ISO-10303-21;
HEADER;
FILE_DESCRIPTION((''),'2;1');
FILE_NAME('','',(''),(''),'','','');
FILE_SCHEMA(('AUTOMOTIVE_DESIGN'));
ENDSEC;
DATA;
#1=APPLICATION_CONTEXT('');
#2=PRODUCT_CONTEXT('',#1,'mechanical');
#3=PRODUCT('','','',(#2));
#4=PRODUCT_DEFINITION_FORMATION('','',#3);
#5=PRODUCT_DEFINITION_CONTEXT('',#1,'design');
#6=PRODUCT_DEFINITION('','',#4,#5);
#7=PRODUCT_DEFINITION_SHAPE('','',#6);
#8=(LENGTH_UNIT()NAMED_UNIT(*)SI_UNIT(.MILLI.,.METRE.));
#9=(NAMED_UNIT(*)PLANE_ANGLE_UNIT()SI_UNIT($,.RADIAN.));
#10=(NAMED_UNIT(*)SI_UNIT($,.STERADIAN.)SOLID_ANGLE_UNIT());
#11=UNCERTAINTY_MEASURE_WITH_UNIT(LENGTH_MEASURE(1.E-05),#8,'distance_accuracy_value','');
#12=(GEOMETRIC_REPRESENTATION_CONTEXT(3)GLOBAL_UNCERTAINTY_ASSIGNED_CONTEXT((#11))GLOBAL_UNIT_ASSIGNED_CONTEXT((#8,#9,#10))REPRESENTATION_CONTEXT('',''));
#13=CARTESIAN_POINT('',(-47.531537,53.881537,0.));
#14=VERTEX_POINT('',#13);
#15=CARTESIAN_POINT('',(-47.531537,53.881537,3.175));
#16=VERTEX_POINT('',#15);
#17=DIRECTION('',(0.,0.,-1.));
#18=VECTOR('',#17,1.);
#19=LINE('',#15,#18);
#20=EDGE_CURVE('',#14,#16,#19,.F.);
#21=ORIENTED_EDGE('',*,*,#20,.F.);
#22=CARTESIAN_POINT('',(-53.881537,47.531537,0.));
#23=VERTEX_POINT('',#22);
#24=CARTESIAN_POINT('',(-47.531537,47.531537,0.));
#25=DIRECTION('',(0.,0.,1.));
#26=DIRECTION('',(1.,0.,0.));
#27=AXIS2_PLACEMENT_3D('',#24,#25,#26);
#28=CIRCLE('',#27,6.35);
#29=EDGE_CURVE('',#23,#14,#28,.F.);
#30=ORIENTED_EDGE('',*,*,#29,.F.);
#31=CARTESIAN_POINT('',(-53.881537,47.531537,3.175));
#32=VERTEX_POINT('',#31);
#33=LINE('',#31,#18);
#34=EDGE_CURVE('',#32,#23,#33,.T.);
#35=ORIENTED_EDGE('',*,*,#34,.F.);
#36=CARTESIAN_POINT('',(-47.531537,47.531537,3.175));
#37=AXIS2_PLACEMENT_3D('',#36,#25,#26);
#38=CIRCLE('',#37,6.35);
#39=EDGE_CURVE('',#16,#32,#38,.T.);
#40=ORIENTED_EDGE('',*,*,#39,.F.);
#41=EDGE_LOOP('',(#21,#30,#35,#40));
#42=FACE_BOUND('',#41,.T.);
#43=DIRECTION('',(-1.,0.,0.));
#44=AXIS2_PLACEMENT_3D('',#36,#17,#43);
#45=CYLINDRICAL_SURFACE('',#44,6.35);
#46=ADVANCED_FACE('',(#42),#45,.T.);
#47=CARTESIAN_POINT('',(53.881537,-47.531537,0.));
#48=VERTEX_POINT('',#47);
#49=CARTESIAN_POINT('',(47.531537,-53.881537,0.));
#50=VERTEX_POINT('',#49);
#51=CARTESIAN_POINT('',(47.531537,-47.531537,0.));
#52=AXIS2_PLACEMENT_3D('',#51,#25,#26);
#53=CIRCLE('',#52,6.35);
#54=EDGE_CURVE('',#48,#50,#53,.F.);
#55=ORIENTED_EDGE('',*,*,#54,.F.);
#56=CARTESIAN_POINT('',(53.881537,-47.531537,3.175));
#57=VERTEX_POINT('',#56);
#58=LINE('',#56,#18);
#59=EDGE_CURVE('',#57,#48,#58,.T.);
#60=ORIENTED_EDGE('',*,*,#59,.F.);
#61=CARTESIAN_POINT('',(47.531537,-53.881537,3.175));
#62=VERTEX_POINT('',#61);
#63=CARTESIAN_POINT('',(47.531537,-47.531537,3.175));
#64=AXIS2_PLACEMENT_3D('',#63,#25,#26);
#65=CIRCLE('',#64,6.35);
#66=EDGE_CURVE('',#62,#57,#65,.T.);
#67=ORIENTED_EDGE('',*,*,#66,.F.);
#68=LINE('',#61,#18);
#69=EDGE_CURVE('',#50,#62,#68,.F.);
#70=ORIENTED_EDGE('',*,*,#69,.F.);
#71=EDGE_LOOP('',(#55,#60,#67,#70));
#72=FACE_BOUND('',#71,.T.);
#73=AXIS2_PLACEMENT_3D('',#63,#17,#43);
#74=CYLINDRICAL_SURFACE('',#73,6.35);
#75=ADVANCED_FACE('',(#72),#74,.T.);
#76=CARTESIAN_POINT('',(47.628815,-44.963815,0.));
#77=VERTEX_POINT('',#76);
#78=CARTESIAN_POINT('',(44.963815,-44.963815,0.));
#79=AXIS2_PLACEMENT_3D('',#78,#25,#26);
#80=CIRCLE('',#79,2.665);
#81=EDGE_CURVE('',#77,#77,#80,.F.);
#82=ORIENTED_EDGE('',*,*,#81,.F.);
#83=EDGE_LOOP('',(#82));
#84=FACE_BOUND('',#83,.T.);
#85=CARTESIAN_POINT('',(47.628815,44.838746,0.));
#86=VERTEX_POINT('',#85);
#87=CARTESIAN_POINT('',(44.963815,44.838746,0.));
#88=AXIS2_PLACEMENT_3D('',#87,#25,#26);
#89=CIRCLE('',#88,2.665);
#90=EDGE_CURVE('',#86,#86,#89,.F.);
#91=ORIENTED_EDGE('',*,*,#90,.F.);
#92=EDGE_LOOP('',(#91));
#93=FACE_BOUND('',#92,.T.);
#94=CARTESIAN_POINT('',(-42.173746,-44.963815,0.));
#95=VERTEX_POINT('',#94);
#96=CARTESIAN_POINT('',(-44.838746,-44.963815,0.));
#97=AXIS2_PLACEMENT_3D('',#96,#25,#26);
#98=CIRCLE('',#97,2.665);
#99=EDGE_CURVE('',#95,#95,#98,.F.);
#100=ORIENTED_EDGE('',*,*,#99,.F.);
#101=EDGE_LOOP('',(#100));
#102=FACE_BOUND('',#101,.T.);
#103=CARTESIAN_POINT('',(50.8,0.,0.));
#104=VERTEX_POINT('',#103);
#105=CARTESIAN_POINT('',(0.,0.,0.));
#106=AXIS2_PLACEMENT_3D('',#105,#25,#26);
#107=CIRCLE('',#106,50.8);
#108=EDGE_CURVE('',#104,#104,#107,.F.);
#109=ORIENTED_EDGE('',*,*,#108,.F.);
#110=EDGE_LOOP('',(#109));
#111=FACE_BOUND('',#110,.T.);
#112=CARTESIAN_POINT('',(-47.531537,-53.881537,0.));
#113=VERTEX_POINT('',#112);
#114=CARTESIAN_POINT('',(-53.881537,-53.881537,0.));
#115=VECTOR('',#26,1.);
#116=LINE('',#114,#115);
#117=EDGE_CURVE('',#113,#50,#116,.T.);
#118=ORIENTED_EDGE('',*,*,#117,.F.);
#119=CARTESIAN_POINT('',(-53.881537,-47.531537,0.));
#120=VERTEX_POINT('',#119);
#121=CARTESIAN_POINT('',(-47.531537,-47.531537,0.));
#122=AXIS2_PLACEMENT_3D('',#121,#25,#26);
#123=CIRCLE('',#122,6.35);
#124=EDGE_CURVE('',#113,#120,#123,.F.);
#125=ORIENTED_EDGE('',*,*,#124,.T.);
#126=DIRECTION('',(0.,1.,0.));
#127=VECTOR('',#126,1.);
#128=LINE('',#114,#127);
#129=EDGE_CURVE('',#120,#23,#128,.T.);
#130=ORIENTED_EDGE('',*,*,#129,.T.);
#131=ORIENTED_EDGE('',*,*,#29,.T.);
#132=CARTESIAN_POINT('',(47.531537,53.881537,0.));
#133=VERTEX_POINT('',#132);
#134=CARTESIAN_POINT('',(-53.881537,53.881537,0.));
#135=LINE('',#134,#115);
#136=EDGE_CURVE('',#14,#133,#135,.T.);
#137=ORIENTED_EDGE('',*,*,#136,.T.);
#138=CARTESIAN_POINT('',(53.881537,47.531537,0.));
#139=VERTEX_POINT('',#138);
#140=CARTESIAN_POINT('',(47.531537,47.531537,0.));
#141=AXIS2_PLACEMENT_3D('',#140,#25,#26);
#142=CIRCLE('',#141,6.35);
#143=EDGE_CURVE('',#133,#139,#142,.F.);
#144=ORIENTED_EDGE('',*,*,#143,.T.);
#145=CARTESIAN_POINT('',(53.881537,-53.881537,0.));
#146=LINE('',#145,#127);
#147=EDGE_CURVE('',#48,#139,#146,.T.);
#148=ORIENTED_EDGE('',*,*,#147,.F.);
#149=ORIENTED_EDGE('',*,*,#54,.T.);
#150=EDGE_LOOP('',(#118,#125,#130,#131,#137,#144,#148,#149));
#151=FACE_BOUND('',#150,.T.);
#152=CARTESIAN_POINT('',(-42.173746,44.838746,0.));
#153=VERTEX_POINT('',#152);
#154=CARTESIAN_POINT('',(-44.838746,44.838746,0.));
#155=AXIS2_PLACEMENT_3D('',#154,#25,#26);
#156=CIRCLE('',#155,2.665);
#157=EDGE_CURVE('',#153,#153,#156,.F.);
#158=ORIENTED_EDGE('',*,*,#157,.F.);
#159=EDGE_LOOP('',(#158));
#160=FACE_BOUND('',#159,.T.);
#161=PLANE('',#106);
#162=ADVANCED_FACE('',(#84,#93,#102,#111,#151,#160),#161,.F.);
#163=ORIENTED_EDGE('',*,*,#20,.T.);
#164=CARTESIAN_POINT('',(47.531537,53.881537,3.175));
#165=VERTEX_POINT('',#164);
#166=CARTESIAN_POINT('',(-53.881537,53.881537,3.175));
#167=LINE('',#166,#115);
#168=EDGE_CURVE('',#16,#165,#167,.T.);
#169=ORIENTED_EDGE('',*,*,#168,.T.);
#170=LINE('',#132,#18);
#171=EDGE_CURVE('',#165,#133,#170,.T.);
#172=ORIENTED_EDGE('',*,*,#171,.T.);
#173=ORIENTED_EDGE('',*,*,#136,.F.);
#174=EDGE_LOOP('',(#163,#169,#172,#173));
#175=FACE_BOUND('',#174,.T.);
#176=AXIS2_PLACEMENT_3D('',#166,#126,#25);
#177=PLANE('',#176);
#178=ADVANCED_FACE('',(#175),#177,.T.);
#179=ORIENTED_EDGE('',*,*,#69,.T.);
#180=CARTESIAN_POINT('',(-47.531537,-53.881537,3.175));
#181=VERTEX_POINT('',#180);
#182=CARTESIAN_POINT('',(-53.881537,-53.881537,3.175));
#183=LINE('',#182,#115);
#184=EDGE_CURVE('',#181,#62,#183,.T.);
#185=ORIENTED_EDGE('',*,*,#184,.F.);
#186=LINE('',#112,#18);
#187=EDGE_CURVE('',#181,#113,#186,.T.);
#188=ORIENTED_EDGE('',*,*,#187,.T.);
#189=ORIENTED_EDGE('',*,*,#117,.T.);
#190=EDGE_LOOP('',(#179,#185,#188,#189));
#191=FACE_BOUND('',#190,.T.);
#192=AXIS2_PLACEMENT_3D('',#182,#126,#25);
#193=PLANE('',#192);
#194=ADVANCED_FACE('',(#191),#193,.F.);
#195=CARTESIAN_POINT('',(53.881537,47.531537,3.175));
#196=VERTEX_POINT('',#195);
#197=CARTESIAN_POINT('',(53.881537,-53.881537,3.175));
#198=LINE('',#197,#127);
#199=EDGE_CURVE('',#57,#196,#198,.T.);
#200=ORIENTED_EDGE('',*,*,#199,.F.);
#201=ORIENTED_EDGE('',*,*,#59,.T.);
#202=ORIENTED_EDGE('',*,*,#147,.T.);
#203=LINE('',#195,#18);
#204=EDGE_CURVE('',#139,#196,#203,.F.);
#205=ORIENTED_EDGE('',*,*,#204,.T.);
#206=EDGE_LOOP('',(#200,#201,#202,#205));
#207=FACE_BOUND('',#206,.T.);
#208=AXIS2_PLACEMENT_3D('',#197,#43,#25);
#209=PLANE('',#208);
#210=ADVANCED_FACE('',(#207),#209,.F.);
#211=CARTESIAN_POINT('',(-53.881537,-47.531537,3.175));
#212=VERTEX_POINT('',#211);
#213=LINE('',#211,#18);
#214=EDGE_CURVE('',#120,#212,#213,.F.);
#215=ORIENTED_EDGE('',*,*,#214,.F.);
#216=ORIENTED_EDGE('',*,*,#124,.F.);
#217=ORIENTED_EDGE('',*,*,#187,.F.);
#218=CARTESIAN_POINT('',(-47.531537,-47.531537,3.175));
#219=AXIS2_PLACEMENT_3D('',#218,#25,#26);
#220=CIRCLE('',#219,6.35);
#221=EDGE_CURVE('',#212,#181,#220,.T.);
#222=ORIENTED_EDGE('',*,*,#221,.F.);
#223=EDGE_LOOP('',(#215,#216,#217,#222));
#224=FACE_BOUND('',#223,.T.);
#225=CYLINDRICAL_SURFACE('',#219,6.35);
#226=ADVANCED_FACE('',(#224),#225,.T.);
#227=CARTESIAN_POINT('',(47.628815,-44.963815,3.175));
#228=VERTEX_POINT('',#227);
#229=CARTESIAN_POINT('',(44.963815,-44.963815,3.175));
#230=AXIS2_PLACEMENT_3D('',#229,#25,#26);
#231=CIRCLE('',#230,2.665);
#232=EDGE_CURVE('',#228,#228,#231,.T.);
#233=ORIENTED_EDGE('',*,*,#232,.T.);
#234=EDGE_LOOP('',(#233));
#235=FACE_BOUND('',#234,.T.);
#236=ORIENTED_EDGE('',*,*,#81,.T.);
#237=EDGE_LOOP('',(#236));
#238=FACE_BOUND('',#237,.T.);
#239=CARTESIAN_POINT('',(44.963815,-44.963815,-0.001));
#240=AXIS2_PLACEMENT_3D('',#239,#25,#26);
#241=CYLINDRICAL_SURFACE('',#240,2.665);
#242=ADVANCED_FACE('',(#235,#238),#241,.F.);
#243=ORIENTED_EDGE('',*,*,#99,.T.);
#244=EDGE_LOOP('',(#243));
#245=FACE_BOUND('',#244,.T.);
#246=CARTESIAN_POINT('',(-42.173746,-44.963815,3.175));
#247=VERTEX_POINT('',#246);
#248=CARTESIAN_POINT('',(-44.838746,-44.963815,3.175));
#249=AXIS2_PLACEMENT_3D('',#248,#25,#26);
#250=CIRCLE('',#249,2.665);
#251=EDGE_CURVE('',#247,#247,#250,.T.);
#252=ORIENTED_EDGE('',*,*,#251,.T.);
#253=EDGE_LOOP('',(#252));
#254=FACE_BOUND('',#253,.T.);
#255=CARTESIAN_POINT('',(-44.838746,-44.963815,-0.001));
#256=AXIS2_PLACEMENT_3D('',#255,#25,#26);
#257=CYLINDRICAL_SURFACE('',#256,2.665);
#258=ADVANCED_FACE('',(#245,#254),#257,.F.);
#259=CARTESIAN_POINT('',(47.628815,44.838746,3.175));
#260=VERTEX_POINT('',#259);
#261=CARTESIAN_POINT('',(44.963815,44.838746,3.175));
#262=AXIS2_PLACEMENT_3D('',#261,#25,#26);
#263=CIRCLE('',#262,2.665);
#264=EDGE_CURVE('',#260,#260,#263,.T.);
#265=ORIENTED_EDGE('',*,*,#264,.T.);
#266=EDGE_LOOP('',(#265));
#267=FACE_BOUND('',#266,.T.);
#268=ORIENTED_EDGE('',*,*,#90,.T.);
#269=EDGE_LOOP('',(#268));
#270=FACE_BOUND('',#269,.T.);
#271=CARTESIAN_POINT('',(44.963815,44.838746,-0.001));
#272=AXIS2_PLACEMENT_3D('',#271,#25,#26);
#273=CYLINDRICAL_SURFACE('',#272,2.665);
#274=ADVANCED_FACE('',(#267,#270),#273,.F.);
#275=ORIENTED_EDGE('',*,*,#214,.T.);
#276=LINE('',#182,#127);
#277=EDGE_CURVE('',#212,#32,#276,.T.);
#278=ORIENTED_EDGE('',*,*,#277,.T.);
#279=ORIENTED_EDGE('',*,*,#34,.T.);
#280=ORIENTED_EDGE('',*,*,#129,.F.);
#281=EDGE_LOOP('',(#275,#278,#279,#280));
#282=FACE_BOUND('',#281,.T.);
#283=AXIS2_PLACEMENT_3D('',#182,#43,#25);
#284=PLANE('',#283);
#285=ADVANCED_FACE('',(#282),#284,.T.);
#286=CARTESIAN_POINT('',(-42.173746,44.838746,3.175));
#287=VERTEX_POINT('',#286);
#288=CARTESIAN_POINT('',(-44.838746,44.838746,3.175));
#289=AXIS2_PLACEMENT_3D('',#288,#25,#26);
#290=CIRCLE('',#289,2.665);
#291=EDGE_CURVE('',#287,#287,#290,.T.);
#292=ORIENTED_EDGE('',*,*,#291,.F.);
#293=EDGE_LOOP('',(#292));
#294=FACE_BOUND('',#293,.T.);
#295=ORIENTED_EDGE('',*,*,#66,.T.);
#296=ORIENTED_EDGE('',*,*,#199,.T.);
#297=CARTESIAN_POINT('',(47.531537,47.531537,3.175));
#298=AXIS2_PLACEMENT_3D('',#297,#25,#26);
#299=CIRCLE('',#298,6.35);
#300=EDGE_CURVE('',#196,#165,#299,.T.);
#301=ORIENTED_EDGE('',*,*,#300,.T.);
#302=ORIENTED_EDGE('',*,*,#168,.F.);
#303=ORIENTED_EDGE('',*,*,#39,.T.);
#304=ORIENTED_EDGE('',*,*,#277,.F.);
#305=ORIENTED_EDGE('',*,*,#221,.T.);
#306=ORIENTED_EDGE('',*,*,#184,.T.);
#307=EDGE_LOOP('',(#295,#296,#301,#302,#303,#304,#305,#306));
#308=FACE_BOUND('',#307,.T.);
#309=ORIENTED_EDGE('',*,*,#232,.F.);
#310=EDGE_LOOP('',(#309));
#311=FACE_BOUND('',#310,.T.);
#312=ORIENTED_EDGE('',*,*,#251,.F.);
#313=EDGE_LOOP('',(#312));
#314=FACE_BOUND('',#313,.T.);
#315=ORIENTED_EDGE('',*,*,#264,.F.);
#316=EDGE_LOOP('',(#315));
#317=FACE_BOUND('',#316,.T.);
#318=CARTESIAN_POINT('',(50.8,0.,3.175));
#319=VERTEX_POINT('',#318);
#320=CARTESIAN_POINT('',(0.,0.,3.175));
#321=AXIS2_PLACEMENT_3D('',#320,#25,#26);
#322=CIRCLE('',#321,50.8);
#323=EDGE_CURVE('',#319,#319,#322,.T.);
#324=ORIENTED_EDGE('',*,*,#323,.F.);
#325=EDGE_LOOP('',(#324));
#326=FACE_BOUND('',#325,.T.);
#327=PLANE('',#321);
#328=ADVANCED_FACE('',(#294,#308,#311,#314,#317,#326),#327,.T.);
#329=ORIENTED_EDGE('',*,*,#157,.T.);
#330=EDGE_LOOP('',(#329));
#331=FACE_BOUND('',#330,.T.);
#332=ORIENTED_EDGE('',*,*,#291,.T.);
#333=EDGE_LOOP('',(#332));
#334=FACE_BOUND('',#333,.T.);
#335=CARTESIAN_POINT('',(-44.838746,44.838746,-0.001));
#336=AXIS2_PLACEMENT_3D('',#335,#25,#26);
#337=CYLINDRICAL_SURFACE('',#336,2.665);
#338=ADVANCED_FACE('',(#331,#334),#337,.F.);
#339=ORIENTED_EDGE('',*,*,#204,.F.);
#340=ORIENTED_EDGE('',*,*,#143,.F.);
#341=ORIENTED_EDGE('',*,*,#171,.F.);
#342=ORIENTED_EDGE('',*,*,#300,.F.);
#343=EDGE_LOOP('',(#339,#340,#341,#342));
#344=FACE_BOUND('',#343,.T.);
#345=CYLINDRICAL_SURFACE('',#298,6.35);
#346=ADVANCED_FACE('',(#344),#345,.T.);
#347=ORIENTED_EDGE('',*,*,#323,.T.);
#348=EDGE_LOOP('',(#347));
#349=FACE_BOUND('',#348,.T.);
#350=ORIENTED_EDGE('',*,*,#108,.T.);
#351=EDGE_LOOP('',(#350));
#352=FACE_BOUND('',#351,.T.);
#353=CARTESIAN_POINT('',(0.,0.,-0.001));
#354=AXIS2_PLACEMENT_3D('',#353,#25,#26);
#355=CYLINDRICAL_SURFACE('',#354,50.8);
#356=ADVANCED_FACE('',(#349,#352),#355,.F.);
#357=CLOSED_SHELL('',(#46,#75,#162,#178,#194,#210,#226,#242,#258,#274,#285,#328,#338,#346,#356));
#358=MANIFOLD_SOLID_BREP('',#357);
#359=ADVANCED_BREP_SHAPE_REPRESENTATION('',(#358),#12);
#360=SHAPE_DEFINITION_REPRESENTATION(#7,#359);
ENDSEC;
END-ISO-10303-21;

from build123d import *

# Parameters (mm, degrees)
SKETCH1_W           = 107.763073452
SKETCH1_H           = 107.763073452
BOSS_EXTRUDE1_DEPTH = 3.175
CUT_EXTRUDE2_REACH  = 78.266
SKETCH4_R           = 50.8
FILLET1_R           = 6.35
CUT_EXTRUDE3_REACH  = 78.266
SKETCH5_R           = 2.665000004


with BuildPart() as part:
    # Sketch1 → Boss-Extrude1 (new body)
    with BuildSketch(Plane.XY):
        Rectangle(SKETCH1_W, SKETCH1_H)
    extrude(amount=BOSS_EXTRUDE1_DEPTH)

    # Sketch4 → Cut-Extrude2 (cut, up to next)
    with BuildSketch(Plane.XY.offset(3.175), mode=Mode.PRIVATE) as cut_extrude2_sk1:
        Circle(SKETCH4_R)
    cut_extrude2_tool1 = extrude(cut_extrude2_sk1.sketch, amount=-CUT_EXTRUDE2_REACH, mode=Mode.PRIVATE) & part.part
    add(cut_extrude2_tool1.solids().sort_by_distance((0, 0, 3.175))[0], mode=Mode.SUBTRACT)

    # Fillet1
    fillet1_edges = [part.edges().sort_by_distance(p)[0] for p in [
        (-53.881536726, -53.881536726, 1.5875),
        (-53.881536726, 53.881536726, 1.5875),
        (53.881536726, 53.881536726, 1.5875),
        (53.881536726, -53.881536726, 1.5875),
    ]]
    fillet(fillet1_edges, radius=FILLET1_R)

    # Sketch5 → Cut-Extrude3 (cut, up to next)
    with BuildSketch(Plane.XY.offset(3.175), mode=Mode.PRIVATE) as cut_extrude3_sk1:
        with Locations((-44.838745817, 44.838745817)):
            Circle(SKETCH5_R)
    cut_extrude3_tool1 = extrude(cut_extrude3_sk1.sketch, amount=-CUT_EXTRUDE3_REACH, mode=Mode.PRIVATE) & part.part
    # Sketch5 → Cut-Extrude3 (cut, up to next)
    with BuildSketch(Plane.XY.offset(3.175), mode=Mode.PRIVATE) as cut_extrude3_sk2:
        with Locations((44.963815393, 44.838745817)):
            Circle(SKETCH5_R)
    cut_extrude3_tool2 = extrude(cut_extrude3_sk2.sketch, amount=-CUT_EXTRUDE3_REACH, mode=Mode.PRIVATE) & part.part
    # Sketch5 → Cut-Extrude3 (cut, up to next)
    with BuildSketch(Plane.XY.offset(3.175), mode=Mode.PRIVATE) as cut_extrude3_sk3:
        with Locations((-44.838745817, -44.963815393)):
            Circle(SKETCH5_R)
    cut_extrude3_tool3 = extrude(cut_extrude3_sk3.sketch, amount=-CUT_EXTRUDE3_REACH, mode=Mode.PRIVATE) & part.part
    # Sketch5 → Cut-Extrude3 (cut, up to next)
    with BuildSketch(Plane.XY.offset(3.175), mode=Mode.PRIVATE) as cut_extrude3_sk4:
        with Locations((44.963815393, -44.963815393)):
            Circle(SKETCH5_R)
    cut_extrude3_tool4 = extrude(cut_extrude3_sk4.sketch, amount=-CUT_EXTRUDE3_REACH, mode=Mode.PRIVATE) & part.part
    add(cut_extrude3_tool1.solids().sort_by_distance((-44.838746, 44.838746, 3.175))[0], mode=Mode.SUBTRACT)
    add(cut_extrude3_tool2.solids().sort_by_distance((44.963815, 44.838746, 3.175))[0], mode=Mode.SUBTRACT)
    add(cut_extrude3_tool3.solids().sort_by_distance((-44.838746, -44.963815, 3.175))[0], mode=Mode.SUBTRACT)
    add(cut_extrude3_tool4.solids().sort_by_distance((44.963815, -44.963815, 3.175))[0], mode=Mode.SUBTRACT)


solid = part.part
